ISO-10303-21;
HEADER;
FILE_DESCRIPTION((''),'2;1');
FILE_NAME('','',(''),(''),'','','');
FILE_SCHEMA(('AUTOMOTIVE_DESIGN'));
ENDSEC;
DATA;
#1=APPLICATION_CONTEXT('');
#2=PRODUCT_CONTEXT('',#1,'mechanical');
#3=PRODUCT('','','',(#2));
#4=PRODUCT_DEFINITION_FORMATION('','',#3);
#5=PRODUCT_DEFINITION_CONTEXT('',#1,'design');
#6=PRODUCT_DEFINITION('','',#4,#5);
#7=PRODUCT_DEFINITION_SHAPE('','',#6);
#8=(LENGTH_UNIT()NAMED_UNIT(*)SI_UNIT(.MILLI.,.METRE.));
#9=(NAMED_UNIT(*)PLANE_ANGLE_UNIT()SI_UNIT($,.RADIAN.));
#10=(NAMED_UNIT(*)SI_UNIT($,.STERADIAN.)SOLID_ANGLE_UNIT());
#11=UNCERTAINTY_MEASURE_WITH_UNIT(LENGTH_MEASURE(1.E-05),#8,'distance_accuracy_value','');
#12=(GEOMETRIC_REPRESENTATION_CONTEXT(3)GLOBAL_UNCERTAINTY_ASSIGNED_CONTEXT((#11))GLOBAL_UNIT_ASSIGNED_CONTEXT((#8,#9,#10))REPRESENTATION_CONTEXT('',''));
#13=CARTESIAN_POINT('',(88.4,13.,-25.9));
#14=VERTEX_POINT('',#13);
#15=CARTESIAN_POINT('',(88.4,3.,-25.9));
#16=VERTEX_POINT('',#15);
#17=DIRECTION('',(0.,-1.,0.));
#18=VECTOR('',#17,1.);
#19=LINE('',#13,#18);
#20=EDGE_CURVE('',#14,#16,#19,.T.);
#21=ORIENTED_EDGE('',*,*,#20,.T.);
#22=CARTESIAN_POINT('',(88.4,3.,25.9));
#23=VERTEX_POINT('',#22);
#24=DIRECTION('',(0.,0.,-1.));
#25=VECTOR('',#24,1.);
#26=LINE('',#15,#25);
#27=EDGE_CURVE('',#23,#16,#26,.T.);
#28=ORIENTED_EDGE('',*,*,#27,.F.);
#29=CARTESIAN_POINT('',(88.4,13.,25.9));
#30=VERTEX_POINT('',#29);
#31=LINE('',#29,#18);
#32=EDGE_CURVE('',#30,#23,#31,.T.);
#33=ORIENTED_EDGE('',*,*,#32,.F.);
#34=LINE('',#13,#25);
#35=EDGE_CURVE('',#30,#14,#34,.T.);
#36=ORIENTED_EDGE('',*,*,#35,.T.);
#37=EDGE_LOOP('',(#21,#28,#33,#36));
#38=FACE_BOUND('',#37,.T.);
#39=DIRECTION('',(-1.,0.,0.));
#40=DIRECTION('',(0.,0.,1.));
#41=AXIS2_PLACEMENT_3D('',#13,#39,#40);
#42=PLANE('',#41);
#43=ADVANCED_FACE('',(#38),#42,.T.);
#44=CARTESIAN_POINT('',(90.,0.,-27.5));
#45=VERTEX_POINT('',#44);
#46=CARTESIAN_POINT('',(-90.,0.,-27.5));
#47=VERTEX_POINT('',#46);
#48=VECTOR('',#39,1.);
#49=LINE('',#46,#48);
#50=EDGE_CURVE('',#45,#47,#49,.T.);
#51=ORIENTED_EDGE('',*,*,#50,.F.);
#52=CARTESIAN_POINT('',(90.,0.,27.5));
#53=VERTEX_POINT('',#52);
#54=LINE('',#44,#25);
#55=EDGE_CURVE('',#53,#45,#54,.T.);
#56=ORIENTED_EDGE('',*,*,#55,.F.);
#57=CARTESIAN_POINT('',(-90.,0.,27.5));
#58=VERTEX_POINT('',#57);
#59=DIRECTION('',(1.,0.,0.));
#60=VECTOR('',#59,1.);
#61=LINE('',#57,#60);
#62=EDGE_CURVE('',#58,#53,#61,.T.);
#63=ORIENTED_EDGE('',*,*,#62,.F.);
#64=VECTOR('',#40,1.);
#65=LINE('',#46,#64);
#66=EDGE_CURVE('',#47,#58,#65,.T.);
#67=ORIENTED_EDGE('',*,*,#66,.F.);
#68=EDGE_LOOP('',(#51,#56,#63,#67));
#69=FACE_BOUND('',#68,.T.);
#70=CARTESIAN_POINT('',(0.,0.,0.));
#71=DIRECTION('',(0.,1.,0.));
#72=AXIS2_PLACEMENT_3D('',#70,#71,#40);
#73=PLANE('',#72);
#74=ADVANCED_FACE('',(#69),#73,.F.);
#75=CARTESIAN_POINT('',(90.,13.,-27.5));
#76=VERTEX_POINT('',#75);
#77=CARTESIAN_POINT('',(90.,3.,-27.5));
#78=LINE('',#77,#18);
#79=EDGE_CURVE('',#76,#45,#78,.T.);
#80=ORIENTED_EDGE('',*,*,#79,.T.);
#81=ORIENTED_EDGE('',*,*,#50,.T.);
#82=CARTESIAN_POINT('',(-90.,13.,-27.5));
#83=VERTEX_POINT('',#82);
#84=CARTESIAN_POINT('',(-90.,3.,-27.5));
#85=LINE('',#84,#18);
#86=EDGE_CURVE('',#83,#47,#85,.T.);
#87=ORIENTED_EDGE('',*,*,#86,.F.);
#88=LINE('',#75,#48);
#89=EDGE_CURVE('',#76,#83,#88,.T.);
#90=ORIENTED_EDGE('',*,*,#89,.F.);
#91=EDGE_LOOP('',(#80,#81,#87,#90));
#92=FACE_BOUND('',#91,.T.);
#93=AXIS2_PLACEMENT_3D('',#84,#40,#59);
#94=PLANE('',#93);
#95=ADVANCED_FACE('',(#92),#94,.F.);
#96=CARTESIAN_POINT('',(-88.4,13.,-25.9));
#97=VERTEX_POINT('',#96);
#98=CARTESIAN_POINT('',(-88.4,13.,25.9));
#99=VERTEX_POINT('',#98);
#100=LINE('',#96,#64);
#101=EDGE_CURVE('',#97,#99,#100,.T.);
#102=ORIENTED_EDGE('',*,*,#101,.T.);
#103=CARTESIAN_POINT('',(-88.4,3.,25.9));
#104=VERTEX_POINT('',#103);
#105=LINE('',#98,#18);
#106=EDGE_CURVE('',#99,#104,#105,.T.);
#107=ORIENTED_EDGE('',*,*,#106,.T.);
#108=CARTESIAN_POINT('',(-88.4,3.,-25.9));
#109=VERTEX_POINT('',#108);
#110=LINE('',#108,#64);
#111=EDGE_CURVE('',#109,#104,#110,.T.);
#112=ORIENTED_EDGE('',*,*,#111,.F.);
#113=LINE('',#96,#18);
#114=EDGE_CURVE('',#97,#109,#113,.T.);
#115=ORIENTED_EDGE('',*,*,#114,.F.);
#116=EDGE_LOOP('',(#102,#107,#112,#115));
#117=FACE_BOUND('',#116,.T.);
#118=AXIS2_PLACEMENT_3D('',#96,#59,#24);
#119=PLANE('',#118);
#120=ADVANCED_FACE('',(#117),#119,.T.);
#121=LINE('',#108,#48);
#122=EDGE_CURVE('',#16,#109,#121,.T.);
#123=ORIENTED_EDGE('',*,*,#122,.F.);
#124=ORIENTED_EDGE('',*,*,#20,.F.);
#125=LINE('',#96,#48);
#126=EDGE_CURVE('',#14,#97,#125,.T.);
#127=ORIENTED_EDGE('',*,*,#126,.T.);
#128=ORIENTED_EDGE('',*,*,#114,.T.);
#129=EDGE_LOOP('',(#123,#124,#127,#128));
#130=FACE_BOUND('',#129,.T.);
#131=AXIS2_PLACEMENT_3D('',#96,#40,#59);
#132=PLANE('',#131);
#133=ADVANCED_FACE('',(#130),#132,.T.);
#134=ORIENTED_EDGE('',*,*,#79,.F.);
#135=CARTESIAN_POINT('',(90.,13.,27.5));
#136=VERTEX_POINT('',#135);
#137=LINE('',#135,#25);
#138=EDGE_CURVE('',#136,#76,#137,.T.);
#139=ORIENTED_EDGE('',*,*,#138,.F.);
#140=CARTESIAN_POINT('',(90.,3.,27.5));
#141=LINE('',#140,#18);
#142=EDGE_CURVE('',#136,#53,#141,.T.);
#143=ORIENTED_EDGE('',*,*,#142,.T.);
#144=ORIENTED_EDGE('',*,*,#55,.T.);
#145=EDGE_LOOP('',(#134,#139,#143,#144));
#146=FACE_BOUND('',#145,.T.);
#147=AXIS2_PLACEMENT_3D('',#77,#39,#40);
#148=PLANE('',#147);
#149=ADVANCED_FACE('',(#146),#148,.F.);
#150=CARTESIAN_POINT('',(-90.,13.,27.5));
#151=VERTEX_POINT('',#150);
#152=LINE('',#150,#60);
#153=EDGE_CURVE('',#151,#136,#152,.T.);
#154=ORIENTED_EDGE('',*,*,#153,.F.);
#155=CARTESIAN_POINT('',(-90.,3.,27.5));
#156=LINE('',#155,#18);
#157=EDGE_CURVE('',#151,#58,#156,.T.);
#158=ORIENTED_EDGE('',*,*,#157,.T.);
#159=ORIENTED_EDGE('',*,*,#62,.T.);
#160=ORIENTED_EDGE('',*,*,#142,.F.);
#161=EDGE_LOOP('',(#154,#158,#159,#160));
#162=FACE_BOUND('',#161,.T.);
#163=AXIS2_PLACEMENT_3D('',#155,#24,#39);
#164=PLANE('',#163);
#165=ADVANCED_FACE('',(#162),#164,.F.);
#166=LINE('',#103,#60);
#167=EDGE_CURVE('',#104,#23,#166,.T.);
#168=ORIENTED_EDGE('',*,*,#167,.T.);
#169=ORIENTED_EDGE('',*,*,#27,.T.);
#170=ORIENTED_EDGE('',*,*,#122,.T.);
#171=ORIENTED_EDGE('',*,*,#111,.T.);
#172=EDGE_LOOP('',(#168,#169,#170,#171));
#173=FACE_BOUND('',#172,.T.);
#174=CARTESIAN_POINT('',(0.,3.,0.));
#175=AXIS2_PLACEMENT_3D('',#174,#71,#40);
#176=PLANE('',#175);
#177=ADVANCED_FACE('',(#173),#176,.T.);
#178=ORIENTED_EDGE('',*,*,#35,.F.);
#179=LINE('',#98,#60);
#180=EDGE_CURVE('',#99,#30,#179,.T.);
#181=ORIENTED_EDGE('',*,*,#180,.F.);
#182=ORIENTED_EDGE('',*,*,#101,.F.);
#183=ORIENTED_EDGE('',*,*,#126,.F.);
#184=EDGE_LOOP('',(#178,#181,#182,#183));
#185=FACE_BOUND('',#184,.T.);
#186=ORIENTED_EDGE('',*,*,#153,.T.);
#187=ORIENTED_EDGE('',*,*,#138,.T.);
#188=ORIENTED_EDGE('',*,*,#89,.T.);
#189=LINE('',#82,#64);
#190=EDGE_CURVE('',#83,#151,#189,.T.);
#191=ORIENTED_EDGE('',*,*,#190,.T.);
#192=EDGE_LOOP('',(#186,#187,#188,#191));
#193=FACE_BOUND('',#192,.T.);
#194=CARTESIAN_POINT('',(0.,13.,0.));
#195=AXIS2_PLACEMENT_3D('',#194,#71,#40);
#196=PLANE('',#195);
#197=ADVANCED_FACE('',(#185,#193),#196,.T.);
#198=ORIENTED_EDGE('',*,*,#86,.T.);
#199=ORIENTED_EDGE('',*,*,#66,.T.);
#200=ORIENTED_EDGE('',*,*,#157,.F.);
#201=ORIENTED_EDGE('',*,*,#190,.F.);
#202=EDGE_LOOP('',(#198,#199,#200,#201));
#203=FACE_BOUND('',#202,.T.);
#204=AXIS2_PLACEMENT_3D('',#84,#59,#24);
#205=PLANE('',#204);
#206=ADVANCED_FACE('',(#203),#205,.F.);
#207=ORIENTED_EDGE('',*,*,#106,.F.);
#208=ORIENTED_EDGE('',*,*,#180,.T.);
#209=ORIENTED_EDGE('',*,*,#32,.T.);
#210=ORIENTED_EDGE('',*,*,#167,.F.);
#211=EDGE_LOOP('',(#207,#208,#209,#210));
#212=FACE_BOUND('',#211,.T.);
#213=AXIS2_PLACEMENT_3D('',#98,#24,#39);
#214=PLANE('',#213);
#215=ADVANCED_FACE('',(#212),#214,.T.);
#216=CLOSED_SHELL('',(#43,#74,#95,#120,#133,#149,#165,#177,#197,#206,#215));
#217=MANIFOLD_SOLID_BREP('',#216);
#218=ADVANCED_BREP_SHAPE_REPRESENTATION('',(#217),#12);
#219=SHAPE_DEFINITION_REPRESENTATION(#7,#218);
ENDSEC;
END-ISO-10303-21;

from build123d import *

# Parameters (mm, degrees)
SKETCH1_W           = 180
SKETCH1_H           = 55
BOSS_EXTRUDE1_DEPTH = 3
SKETCH2_W           = 180
SKETCH2_H           = 55
SKETCH2_W_2         = 176.8
SKETCH2_H_2         = 51.8
BOSS_EXTRUDE2_DEPTH = 10


with BuildPart() as part:
    # Sketch1 → Boss-Extrude1 (new body)
    with BuildSketch(Plane(origin=(0, 0, 0), x_dir=(1, 0, 0), z_dir=(0, 1, 0))):
        Rectangle(SKETCH1_W, SKETCH1_H)
    extrude(amount=BOSS_EXTRUDE1_DEPTH)

    # Sketch2 → Boss-Extrude2 (add)
    with BuildSketch(Plane(origin=(0, 3, 0), x_dir=(1, 0, 0), z_dir=(0, 1, 0))):
        Rectangle(SKETCH2_W, SKETCH2_H)
        Rectangle(SKETCH2_W_2, SKETCH2_H_2, mode=Mode.SUBTRACT)
    extrude(amount=BOSS_EXTRUDE2_DEPTH)


solid = part.part
